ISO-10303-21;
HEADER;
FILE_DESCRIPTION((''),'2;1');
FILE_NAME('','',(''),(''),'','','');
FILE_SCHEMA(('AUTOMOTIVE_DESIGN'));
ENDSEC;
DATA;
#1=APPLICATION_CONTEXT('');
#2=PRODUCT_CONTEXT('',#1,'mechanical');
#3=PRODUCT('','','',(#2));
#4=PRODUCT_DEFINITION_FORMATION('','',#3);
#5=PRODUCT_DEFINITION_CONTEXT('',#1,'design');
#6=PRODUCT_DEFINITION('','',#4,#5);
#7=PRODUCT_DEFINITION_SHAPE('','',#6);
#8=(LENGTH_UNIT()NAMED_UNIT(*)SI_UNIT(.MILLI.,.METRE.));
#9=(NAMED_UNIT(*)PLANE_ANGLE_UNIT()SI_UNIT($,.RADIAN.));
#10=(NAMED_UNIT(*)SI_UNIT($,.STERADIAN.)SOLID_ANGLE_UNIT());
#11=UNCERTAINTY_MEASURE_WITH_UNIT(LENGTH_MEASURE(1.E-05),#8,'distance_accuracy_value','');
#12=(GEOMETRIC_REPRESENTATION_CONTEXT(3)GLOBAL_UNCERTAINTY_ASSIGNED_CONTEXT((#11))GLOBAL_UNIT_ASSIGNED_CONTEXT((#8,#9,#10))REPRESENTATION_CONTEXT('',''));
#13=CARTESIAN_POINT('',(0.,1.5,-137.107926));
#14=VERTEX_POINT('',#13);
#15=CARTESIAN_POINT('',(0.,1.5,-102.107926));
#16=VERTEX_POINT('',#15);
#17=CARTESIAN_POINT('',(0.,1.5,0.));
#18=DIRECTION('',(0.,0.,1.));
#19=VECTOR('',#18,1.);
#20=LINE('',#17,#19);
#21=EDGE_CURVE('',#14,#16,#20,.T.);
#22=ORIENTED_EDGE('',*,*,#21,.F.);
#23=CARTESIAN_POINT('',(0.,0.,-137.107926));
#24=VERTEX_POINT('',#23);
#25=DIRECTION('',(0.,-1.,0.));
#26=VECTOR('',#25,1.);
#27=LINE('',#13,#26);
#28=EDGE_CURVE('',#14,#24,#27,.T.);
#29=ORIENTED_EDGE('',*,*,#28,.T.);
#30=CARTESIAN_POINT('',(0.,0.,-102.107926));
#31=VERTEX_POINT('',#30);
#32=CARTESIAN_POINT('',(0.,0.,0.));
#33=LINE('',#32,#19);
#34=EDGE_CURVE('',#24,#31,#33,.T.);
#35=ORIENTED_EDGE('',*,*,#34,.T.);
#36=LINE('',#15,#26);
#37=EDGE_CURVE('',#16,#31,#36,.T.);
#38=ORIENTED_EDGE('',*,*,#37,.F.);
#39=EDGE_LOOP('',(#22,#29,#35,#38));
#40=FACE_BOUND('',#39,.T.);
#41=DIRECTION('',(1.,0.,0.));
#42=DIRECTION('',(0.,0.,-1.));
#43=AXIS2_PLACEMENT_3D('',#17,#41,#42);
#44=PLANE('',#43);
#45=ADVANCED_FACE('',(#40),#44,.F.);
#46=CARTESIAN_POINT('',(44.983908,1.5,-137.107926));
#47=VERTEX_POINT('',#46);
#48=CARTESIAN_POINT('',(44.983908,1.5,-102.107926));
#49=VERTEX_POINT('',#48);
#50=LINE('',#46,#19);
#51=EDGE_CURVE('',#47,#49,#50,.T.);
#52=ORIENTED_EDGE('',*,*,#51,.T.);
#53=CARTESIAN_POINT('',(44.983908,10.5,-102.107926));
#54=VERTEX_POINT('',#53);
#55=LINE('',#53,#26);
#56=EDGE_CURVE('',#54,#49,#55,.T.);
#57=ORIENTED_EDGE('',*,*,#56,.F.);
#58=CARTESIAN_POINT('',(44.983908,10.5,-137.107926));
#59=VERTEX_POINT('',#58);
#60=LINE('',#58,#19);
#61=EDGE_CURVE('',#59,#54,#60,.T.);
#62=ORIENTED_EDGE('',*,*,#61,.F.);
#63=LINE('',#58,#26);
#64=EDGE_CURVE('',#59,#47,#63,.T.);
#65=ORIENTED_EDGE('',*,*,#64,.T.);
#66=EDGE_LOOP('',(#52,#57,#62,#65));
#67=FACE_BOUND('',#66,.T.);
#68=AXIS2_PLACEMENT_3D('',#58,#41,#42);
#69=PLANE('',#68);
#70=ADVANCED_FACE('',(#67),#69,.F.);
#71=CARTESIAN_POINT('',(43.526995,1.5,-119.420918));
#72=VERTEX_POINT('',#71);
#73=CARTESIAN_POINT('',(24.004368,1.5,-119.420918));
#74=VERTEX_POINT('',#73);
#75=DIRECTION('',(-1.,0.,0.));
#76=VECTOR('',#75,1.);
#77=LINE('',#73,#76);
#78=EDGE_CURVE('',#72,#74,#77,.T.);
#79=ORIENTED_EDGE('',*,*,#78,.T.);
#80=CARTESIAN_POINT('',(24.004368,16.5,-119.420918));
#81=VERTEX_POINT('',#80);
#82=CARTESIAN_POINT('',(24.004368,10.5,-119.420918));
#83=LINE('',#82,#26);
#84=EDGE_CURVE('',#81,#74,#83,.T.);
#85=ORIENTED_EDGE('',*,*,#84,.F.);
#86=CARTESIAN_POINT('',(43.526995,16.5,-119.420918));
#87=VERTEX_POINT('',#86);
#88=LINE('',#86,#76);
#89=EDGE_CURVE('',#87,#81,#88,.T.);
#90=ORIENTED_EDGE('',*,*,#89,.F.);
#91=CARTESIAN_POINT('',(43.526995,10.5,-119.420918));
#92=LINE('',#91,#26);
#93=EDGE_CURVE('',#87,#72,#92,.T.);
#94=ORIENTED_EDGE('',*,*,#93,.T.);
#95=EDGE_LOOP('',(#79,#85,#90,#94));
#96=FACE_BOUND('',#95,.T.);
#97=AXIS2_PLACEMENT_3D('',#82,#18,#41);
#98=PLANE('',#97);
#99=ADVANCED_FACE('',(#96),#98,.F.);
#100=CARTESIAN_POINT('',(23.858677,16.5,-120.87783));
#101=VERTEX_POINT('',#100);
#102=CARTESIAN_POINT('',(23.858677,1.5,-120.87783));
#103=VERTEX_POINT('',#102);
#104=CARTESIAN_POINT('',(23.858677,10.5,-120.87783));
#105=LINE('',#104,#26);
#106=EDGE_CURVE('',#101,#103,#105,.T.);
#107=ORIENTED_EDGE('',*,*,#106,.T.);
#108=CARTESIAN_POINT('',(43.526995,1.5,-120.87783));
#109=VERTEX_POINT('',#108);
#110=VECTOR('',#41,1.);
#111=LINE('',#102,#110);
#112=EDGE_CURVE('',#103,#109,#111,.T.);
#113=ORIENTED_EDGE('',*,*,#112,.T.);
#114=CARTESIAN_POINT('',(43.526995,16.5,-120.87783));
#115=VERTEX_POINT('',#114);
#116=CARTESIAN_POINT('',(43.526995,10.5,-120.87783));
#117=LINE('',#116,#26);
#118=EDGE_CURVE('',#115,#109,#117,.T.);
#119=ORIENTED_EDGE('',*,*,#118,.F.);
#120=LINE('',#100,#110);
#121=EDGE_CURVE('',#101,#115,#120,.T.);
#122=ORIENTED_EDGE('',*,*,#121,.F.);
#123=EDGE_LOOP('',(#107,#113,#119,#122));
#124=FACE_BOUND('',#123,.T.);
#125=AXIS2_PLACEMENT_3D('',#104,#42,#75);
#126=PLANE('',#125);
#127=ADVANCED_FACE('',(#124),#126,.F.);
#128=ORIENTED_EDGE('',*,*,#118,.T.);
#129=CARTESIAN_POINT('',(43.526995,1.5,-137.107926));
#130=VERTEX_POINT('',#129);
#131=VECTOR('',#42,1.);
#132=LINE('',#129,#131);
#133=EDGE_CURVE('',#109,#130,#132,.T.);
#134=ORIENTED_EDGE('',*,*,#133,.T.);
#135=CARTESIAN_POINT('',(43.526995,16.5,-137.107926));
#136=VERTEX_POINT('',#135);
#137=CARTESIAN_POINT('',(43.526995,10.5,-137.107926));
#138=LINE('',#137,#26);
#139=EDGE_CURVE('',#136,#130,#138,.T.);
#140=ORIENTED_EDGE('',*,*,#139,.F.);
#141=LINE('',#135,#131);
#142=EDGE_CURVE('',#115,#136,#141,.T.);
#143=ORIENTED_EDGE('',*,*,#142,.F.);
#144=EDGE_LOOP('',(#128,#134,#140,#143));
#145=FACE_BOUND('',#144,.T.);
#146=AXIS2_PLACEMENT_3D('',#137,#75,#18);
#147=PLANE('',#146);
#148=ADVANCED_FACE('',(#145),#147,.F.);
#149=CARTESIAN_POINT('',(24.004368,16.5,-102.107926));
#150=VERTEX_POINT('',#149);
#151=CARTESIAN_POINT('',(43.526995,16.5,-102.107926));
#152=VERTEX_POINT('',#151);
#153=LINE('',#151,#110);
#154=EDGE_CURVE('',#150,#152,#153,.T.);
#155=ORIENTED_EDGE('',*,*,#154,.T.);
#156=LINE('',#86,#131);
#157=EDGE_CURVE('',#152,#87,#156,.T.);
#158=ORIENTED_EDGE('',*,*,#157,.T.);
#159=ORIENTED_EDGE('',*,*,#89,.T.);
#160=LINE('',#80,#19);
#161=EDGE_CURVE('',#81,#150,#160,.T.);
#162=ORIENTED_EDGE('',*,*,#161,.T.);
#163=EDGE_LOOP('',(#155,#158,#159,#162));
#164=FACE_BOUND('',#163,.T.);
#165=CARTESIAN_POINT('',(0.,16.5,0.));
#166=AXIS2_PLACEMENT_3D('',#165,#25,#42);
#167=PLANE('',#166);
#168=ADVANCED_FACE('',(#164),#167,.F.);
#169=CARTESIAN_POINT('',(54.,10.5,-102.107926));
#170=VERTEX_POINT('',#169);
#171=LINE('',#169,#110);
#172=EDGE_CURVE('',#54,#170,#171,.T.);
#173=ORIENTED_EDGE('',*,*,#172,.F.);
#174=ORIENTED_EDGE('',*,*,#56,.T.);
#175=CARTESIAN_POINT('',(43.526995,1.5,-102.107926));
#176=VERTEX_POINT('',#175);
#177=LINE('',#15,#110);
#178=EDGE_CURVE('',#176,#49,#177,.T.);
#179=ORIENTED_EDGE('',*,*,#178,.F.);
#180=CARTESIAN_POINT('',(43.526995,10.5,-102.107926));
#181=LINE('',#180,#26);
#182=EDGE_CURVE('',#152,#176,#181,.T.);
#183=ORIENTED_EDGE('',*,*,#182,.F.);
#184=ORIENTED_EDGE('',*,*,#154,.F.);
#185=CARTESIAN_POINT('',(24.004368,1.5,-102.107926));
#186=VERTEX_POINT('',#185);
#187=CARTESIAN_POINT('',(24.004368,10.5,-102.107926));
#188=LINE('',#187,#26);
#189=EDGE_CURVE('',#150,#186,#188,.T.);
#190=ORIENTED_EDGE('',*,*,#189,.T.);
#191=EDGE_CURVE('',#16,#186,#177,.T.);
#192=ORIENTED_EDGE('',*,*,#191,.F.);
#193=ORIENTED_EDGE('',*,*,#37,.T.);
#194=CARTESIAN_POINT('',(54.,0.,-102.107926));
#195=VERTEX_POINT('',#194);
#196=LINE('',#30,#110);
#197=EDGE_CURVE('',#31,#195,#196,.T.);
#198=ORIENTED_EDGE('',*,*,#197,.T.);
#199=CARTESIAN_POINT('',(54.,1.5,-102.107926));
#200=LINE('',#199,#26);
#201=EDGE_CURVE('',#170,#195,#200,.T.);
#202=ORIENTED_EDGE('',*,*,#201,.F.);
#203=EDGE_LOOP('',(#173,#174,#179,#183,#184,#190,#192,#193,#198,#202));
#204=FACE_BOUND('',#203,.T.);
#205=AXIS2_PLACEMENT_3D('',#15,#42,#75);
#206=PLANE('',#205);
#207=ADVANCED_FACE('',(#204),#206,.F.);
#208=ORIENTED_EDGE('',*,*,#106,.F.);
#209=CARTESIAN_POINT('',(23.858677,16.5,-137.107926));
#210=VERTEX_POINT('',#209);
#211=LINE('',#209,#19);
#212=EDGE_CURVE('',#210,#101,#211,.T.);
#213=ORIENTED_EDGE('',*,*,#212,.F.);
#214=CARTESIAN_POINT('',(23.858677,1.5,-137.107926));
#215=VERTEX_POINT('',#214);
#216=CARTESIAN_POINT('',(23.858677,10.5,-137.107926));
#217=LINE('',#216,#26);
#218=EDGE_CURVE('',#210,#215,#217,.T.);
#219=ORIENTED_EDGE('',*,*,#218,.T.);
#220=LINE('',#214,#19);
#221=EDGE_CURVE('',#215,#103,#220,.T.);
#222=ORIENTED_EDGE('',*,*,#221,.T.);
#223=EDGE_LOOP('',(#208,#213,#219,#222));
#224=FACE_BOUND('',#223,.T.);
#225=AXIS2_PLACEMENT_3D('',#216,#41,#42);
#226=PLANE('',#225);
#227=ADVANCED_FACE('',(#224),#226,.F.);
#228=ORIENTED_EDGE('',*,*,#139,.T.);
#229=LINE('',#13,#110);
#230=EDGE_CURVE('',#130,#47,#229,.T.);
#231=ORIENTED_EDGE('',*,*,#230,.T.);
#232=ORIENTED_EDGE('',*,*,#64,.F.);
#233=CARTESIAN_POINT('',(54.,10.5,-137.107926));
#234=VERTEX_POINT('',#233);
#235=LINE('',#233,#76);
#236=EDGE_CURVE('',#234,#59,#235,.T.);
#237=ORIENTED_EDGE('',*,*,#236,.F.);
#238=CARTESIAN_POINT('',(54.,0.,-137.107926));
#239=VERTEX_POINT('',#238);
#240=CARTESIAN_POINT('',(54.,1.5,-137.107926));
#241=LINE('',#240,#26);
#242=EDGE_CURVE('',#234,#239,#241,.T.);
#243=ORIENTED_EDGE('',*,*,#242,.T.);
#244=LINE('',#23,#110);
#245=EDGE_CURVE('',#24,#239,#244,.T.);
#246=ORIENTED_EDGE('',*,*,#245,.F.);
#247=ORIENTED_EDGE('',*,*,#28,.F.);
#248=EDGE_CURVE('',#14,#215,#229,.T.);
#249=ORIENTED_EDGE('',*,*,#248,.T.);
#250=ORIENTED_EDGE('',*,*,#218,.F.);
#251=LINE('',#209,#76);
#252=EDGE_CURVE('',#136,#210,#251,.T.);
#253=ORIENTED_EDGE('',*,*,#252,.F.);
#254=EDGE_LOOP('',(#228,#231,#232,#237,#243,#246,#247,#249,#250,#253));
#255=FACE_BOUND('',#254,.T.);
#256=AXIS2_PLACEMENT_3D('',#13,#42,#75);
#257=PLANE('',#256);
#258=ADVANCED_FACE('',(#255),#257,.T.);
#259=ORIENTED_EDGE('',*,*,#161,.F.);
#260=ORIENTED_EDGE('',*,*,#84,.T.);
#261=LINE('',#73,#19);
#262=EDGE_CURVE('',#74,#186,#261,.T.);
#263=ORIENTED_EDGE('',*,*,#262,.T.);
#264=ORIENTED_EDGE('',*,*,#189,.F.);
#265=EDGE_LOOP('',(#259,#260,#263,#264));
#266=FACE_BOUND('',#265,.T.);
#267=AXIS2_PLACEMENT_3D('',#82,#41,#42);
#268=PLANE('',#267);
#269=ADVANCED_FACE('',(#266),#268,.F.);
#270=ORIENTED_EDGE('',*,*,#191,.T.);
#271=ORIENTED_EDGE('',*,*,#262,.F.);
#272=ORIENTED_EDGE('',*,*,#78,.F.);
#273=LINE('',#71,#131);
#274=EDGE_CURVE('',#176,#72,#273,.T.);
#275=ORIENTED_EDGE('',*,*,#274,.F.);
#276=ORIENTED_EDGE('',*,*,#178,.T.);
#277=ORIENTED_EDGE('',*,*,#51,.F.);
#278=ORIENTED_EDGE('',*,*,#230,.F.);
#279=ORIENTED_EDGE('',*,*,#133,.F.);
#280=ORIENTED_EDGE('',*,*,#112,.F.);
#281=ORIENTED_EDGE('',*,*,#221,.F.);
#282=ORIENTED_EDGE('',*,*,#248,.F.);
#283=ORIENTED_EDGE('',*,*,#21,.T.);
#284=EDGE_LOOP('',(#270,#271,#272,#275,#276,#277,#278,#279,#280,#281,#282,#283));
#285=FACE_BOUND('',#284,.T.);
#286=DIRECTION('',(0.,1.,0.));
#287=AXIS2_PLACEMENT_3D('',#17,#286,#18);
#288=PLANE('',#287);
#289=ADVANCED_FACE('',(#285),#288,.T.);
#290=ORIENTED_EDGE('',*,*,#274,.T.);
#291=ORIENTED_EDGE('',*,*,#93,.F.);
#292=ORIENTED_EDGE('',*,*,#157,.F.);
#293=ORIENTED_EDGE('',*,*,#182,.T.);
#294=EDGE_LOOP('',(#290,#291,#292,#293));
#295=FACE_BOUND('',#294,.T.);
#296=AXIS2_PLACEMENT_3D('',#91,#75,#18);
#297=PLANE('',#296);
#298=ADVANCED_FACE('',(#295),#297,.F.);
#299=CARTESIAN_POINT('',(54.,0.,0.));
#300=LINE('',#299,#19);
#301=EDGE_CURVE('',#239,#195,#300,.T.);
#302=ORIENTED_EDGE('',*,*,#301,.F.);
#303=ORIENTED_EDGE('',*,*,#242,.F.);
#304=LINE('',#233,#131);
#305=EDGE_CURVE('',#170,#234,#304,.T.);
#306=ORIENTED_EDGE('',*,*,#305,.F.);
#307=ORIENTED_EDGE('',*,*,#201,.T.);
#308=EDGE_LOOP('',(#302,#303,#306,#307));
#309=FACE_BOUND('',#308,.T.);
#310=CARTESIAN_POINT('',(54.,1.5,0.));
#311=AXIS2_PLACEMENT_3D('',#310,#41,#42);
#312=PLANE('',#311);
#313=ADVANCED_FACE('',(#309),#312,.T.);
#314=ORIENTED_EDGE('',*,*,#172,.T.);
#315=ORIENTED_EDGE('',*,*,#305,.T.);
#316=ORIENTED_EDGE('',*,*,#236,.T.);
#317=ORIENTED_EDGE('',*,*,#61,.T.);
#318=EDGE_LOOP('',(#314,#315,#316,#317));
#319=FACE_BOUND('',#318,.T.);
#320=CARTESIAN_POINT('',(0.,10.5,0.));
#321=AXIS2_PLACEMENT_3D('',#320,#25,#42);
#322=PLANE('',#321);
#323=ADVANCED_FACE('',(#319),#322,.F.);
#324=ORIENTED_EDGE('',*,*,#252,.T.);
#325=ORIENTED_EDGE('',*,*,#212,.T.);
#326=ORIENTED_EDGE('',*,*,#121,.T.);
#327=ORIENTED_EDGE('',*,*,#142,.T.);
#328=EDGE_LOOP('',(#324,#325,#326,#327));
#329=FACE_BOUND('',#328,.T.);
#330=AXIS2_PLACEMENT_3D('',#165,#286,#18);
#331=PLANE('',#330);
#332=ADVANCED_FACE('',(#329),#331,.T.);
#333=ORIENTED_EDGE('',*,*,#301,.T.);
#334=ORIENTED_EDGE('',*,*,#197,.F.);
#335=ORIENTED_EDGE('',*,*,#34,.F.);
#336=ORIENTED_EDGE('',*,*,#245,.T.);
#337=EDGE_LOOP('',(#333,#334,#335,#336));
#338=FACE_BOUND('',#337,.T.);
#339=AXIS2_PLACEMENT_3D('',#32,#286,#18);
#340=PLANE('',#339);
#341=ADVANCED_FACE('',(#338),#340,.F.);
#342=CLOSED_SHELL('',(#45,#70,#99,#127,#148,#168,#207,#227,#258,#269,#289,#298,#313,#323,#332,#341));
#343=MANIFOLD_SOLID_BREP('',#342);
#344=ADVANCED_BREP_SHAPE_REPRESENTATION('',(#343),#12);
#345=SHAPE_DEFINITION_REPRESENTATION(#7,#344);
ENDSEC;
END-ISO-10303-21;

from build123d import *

# Parameters (mm, degrees)
SKETCH_1_W      = 54
SKETCH_1_H      = 35
EXTRUDE_1_DEPTH = 1.5
SKETCH_2_W      = 9.016092248
SKETCH_2_H      = 35
SKETCH_2_W_2    = 19.66831863
SKETCH_2_H_2    = 16.230096049
SKETCH_2_W_3    = 19.52262738
SKETCH_2_H_3    = 17.31299146
EXTRUDE_2_DEPTH = 9
SKETCH_3_W      = 19.66831863
SKETCH_3_H      = 16.230096049
SKETCH_3_W_2    = 19.52262738
SKETCH_3_H_2    = 17.31299146
EXTRUDE_3_DEPTH = 6


with BuildPart() as part:
    # 草图1 → 凸台-拉伸1 (new body)
    with BuildSketch(Plane(origin=(0, 0, 0), x_dir=(1, 0, 0), z_dir=(0, 1, 0))):
        with Locations((27, 119.607926306)):
            Rectangle(SKETCH_1_W, SKETCH_1_H)
    extrude(amount=EXTRUDE_1_DEPTH)

    # 草图2 → 凸台-拉伸2 (add)
    with BuildSketch(Plane(origin=(0, 1.5, 0), x_dir=(1, 0, 0), z_dir=(0, 1, 0))):
        with Locations((49.491953876, 119.607926306)):
            Rectangle(SKETCH_2_W, SKETCH_2_H)
        with Locations((33.692835946, 128.992878281)):
            Rectangle(SKETCH_2_W_2, SKETCH_2_H_2)
        with Locations((33.765681571, 110.764422036)):
            Rectangle(SKETCH_2_W_3, SKETCH_2_H_3)
    extrude(amount=EXTRUDE_2_DEPTH)

    # 草图3 → 凸台-拉伸3 (add)
    with BuildSketch(Plane(origin=(0, 10.5, 0), x_dir=(1, 0, 0), z_dir=(0, 1, 0))):
        with Locations((33.692835946, 128.992878281)):
            Rectangle(SKETCH_3_W, SKETCH_3_H)
        with Locations((33.765681571, 110.764422036)):
            Rectangle(SKETCH_3_W_2, SKETCH_3_H_2)
    extrude(amount=EXTRUDE_3_DEPTH)


solid = part.part
